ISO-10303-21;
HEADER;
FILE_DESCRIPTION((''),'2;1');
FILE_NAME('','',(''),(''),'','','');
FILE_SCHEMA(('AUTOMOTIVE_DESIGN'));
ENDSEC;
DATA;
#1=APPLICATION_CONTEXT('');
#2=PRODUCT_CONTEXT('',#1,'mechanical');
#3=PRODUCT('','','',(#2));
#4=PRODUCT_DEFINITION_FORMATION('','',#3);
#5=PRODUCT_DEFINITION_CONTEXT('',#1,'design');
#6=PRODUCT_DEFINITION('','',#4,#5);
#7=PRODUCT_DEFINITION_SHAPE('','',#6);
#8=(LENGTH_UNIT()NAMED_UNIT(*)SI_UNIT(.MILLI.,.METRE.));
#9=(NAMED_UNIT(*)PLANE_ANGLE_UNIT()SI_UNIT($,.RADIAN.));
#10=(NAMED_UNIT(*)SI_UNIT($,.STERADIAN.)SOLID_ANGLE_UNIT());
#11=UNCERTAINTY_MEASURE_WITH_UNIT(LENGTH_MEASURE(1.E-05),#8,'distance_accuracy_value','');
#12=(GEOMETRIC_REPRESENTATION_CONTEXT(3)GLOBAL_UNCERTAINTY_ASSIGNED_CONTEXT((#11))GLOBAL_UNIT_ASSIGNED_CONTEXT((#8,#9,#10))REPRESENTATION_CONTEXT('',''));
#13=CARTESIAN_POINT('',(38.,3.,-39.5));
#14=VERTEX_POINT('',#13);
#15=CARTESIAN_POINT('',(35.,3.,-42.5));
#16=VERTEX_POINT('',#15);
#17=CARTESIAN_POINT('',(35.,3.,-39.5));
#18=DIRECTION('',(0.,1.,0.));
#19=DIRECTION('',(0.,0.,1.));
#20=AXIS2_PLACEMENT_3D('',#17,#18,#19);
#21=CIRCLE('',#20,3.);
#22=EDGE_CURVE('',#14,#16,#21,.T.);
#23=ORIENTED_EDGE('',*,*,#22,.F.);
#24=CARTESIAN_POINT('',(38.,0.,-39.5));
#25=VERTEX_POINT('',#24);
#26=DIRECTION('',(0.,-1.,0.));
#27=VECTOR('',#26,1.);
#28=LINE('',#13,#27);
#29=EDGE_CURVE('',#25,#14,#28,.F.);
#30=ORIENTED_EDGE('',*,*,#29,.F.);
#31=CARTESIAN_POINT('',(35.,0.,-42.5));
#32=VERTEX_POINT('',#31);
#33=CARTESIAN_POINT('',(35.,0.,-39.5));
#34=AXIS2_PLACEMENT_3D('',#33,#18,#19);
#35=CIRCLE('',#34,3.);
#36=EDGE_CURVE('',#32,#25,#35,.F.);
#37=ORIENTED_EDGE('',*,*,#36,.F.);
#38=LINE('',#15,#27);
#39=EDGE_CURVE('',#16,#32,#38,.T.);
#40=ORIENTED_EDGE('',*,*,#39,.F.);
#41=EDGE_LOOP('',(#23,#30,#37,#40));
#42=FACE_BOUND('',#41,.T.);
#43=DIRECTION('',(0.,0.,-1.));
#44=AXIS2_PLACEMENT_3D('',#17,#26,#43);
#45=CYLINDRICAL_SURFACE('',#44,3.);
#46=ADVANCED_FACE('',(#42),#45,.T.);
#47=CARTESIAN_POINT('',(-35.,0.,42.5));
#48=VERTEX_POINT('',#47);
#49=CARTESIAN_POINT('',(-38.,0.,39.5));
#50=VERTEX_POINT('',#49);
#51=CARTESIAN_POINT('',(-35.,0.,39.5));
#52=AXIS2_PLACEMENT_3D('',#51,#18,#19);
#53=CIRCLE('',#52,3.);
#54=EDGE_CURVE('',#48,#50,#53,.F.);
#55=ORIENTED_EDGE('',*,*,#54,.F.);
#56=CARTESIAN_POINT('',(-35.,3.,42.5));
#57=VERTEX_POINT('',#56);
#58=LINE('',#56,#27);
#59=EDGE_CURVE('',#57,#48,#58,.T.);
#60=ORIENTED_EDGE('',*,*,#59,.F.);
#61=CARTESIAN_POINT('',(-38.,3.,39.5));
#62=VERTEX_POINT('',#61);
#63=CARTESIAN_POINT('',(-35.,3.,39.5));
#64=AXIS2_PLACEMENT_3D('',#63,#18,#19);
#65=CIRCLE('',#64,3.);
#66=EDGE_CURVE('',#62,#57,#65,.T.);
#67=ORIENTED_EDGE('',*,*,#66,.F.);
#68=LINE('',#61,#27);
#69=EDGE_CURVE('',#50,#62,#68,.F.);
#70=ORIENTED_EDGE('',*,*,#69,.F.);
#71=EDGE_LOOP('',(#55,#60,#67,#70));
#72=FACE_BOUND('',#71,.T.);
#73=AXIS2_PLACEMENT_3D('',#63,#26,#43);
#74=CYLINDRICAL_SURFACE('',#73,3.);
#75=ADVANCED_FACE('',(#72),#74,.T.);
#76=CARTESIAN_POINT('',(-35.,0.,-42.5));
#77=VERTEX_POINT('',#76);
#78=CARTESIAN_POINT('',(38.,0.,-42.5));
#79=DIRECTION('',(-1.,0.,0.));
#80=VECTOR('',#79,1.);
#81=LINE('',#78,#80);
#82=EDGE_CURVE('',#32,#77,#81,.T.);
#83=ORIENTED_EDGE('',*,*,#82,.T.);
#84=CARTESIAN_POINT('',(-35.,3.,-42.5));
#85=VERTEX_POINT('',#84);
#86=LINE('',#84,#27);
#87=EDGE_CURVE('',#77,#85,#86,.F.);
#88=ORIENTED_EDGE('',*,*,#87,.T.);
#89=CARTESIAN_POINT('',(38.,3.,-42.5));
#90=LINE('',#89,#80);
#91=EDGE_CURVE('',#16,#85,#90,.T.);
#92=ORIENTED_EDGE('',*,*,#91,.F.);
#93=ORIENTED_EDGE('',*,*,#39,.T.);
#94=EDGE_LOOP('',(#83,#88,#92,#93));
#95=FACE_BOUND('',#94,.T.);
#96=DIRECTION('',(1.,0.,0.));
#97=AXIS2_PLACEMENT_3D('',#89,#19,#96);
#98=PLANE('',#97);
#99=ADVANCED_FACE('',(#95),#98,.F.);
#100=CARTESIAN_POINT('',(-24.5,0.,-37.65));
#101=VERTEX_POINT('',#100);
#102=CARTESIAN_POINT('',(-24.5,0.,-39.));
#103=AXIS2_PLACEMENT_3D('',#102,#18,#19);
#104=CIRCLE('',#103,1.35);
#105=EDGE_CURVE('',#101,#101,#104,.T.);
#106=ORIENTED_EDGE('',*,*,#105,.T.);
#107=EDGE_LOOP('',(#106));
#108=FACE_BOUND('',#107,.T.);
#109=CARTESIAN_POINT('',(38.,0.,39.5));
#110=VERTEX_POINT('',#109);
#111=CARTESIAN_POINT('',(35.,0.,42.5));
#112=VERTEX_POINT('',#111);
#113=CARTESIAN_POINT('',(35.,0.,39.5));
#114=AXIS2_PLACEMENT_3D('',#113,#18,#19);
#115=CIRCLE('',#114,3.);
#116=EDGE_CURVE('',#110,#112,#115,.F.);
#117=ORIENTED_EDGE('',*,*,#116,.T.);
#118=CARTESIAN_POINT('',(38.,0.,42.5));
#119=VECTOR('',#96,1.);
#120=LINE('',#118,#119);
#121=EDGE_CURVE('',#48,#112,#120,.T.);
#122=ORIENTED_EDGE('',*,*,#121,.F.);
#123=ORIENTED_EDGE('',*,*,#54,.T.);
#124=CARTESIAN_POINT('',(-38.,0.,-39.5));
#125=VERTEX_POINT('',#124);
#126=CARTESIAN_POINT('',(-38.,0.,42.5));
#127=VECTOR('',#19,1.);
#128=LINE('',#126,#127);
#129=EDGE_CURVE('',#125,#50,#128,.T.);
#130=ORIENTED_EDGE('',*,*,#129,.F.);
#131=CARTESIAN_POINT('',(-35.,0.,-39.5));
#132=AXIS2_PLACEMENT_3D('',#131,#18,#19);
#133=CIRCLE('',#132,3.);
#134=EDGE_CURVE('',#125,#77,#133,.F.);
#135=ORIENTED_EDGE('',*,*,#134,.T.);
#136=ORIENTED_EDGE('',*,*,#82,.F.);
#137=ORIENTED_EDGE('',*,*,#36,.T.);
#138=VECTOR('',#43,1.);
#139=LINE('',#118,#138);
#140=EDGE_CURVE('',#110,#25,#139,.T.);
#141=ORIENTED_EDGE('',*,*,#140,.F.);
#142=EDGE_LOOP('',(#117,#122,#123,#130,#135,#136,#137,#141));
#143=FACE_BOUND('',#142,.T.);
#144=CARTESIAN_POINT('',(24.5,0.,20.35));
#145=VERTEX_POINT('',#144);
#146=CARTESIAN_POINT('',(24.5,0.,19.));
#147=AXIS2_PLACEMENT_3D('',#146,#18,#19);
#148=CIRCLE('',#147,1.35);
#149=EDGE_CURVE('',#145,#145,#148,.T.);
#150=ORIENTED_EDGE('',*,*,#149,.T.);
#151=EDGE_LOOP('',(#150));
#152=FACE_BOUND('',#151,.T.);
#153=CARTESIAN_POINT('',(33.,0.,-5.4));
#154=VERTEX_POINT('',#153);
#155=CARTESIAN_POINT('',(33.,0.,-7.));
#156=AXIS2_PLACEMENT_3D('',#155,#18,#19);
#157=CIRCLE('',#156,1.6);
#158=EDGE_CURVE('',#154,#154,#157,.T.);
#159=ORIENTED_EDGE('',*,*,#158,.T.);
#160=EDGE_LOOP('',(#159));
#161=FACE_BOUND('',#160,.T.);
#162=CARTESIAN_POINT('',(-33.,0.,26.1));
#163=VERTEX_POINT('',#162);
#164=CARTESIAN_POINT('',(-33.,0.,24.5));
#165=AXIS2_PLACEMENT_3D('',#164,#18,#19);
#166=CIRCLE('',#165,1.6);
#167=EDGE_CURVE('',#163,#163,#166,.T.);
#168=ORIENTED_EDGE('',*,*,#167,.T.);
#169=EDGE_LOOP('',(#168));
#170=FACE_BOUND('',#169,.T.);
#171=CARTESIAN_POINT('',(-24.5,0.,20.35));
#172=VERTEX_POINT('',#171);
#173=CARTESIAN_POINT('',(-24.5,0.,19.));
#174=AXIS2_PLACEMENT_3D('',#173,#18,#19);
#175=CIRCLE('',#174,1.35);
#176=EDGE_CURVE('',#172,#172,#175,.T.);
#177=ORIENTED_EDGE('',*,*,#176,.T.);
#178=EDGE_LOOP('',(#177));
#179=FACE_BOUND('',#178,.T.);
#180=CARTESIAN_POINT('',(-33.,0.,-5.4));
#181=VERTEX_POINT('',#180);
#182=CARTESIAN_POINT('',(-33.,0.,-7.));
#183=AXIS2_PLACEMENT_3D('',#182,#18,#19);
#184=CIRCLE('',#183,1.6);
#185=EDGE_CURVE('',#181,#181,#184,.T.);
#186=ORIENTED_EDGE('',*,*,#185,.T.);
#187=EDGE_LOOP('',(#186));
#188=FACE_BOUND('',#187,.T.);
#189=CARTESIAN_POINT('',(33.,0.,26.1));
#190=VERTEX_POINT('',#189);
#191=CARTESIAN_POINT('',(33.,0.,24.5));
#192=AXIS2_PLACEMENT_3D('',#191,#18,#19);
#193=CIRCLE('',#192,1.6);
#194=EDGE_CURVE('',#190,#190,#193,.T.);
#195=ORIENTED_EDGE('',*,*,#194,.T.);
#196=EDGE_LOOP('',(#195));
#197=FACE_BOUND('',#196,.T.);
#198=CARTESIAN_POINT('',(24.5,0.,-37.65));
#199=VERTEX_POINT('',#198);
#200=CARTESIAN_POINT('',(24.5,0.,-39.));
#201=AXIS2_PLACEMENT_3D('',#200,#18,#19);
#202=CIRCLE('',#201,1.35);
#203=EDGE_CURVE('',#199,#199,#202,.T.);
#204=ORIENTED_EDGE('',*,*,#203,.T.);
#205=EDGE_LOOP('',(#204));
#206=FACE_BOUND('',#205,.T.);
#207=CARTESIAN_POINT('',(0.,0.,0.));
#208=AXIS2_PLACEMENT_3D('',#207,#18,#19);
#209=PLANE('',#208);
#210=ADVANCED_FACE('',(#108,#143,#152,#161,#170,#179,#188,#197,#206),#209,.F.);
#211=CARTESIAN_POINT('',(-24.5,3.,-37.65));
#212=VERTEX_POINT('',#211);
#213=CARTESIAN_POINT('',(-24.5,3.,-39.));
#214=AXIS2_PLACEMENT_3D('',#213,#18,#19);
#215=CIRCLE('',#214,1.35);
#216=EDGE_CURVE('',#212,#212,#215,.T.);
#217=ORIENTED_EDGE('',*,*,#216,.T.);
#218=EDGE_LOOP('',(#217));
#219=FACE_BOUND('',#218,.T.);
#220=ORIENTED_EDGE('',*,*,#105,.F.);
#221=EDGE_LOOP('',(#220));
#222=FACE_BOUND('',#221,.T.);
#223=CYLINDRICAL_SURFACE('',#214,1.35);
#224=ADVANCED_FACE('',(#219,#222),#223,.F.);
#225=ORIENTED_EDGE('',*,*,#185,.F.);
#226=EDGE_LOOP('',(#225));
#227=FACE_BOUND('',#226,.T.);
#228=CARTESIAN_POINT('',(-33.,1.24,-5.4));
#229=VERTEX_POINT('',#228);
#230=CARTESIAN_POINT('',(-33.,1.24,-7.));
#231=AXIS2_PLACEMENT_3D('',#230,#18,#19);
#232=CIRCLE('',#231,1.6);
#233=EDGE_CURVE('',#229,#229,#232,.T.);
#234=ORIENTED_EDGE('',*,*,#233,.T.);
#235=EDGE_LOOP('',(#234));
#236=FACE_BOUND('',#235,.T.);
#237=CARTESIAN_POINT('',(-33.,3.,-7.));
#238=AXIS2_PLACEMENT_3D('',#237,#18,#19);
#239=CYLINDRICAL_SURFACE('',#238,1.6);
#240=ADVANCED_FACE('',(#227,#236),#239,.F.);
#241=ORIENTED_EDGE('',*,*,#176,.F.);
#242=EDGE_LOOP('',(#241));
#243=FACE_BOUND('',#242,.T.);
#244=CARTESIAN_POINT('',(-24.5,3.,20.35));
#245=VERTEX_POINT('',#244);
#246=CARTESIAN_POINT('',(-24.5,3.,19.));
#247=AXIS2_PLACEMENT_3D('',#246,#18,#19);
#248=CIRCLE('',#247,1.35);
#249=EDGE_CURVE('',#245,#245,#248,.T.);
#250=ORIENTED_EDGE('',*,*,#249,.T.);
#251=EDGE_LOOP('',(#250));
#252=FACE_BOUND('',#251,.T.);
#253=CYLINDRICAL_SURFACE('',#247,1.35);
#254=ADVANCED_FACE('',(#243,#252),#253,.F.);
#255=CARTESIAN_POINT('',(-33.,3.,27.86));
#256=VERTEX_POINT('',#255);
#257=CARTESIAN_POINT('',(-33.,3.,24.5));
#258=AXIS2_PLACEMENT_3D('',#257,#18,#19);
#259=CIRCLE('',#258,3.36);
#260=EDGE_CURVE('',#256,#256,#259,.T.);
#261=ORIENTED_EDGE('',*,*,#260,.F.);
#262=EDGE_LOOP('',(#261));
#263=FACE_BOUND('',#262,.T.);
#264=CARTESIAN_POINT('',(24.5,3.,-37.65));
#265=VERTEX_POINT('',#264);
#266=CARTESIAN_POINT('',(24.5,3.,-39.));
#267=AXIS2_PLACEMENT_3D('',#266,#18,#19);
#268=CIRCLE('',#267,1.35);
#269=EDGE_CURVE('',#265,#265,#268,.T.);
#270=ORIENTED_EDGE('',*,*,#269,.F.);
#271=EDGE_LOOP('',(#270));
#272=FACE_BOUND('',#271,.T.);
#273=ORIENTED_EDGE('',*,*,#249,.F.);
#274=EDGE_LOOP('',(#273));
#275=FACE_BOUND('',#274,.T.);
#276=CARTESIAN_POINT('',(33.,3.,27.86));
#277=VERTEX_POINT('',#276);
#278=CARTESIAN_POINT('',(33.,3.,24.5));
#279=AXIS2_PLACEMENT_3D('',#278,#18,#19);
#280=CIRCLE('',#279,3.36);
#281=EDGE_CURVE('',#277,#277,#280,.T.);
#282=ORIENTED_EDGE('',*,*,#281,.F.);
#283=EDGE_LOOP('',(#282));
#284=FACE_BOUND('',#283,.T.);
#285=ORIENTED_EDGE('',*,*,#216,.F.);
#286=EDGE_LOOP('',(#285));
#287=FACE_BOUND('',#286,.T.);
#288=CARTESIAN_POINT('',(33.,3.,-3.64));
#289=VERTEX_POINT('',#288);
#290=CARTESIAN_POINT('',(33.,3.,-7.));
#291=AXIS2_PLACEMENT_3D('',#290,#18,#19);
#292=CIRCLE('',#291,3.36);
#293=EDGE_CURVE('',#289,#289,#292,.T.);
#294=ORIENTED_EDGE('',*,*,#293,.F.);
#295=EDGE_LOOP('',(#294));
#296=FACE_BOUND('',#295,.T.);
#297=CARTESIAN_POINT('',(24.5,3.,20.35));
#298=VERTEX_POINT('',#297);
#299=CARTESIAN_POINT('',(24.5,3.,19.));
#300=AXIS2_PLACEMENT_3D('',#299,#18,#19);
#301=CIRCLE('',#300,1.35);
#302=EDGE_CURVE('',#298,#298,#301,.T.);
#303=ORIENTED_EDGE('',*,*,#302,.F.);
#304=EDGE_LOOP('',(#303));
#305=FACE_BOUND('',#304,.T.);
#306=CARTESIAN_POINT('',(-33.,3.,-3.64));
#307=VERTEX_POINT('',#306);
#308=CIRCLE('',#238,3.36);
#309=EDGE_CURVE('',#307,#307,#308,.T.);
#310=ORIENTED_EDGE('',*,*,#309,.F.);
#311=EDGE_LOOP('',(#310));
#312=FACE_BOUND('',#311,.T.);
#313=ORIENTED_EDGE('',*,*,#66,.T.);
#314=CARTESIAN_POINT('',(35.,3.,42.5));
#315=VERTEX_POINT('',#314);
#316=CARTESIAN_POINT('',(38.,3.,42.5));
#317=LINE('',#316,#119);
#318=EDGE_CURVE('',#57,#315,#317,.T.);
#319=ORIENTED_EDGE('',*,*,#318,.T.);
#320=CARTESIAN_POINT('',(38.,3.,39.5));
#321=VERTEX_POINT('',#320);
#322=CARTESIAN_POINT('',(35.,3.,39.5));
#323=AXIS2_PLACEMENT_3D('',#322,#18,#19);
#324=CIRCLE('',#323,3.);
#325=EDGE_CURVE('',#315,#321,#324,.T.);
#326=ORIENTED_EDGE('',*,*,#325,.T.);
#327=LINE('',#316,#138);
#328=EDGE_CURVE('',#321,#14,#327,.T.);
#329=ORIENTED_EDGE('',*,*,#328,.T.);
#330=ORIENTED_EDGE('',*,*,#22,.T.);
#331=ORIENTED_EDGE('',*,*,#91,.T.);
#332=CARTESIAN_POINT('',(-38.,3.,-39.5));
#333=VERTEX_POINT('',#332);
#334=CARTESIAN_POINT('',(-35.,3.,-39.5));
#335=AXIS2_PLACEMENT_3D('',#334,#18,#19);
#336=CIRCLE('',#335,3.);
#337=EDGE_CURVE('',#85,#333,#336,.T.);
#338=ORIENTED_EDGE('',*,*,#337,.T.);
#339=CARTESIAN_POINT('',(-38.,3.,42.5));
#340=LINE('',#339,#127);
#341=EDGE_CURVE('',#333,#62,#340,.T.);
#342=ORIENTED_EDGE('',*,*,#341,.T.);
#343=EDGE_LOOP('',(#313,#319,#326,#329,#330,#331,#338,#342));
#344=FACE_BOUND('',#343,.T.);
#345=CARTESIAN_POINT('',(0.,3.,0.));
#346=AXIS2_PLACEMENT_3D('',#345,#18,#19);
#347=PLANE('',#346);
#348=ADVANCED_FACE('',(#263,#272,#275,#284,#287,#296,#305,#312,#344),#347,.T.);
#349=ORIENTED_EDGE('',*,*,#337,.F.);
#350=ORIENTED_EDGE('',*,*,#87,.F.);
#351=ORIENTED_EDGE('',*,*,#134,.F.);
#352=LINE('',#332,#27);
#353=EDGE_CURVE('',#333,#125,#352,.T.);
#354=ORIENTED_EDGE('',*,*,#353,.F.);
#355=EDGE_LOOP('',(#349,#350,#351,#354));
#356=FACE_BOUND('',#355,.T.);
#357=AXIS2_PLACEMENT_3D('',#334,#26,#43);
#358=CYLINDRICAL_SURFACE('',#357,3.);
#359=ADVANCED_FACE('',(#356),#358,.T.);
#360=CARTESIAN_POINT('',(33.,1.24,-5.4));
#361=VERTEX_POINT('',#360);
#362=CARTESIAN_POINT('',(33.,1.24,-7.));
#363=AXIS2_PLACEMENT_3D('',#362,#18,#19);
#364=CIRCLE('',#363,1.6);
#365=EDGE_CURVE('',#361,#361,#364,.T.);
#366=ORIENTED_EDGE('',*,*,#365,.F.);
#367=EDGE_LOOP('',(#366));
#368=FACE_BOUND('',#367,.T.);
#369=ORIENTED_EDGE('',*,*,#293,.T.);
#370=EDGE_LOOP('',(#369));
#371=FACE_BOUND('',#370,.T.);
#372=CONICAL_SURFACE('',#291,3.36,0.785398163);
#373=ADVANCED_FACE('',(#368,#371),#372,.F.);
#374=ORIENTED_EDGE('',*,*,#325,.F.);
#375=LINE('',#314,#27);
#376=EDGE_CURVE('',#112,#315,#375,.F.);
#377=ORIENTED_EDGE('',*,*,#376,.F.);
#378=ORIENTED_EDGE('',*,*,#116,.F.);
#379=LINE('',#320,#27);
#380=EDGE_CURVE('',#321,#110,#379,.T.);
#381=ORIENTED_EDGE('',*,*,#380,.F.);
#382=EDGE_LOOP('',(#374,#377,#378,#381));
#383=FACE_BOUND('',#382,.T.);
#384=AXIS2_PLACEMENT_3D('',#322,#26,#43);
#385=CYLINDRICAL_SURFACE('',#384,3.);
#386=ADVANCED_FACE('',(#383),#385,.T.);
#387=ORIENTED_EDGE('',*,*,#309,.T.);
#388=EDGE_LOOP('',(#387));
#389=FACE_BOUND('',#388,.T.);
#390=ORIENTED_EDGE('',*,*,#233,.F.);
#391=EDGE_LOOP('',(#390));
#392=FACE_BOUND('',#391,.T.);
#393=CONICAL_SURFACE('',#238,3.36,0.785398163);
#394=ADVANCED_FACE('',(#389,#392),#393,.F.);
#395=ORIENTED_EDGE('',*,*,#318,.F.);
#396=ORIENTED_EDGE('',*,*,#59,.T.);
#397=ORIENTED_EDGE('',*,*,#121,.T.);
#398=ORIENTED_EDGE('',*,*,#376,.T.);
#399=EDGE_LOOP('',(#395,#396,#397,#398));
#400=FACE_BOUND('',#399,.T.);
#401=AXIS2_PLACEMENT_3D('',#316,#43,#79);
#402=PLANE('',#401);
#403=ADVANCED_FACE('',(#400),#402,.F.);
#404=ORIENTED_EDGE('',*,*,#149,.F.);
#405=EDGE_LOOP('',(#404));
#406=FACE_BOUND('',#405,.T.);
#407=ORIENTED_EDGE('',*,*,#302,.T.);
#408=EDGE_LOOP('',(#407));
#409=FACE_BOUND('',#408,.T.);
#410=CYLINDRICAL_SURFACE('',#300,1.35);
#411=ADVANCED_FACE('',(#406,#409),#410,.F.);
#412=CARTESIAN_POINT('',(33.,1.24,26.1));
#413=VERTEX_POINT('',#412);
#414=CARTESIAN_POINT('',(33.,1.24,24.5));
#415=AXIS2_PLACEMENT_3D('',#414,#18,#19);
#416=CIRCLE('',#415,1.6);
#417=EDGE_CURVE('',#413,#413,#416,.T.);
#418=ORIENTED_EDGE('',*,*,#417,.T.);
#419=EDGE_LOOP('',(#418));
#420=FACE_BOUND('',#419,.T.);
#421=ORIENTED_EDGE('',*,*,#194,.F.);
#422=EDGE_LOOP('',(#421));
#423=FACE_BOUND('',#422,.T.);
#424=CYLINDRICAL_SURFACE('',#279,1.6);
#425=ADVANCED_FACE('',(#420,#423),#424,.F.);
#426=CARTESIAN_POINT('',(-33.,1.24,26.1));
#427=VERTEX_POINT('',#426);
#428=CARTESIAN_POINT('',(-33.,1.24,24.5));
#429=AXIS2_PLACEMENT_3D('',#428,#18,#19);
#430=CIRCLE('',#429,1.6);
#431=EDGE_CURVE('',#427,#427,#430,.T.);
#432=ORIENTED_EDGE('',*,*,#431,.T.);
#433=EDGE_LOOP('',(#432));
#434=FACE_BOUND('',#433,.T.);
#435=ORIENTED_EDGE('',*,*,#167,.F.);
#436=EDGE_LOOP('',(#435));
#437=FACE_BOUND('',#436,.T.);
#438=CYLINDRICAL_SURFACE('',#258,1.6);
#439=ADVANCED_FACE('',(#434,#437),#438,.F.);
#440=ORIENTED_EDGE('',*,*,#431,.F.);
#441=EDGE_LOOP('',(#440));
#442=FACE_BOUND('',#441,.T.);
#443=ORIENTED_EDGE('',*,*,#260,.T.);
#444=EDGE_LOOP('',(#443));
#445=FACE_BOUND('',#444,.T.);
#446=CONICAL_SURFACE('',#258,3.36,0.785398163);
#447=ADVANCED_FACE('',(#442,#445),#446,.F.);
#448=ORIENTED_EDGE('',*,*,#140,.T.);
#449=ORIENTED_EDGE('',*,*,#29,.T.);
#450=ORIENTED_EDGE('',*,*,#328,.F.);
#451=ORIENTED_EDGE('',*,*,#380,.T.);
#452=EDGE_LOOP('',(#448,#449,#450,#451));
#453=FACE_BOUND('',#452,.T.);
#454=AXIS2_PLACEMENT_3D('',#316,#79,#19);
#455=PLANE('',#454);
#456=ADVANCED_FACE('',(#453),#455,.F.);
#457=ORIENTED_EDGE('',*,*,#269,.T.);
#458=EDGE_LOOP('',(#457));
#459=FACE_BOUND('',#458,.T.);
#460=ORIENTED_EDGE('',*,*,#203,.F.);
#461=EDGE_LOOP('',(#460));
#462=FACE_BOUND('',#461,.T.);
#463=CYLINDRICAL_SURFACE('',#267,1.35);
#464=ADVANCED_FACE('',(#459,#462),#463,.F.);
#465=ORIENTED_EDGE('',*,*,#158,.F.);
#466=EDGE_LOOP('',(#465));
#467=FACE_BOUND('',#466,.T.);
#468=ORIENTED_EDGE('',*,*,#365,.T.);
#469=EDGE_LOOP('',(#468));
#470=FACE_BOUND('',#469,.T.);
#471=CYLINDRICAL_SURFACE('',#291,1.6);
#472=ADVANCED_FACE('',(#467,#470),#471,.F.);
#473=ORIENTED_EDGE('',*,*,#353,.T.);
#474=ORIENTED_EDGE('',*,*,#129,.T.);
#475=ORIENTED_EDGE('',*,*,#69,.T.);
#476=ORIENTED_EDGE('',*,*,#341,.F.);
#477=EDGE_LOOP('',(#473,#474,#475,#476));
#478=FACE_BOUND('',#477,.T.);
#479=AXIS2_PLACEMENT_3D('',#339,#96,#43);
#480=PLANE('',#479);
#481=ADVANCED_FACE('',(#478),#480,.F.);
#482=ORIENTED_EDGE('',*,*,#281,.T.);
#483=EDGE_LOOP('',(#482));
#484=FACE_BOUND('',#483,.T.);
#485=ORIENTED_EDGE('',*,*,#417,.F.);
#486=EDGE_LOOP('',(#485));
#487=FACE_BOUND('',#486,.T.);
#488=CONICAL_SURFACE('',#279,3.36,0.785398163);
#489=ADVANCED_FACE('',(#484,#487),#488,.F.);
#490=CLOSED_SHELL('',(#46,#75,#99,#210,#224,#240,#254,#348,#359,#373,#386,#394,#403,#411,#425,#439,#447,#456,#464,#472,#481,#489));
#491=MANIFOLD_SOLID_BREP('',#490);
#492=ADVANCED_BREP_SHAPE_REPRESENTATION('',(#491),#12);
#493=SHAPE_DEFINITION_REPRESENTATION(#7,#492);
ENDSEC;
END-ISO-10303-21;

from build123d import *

# Parameters (mm, degrees)
SKETCH1_W                    = 76
SKETCH1_H                    = 85
BOSS_EXTRUDE1_DEPTH          = 3
M2_5_CLEARANCE_HOLE1_D       = 2.7
CSK_FOR_M3_SFHCS1_AT_2_COUNT = 2
CSK_FOR_M3_SFHCS1_AT_2_PITCH = 31.5
CSK_FOR_M3_SFHCS1_AT_3_COUNT = 2
CSK_FOR_M3_SFHCS1_AT_3_PITCH = 73.131730459
CSK_FOR_M3_SFHCS1_AT_4_COUNT = 2
CSK_FOR_M3_SFHCS1_AT_4_PITCH = 66
FILLET1_R                    = 3


with BuildPart() as part:
    # Sketch1 → Boss-Extrude1 (new body)
    with BuildSketch(Plane(origin=(0, 0, 0), x_dir=(1, 0, 0), z_dir=(0, 1, 0))):
        Rectangle(SKETCH1_W, SKETCH1_H)
    extrude(amount=BOSS_EXTRUDE1_DEPTH)

    # M2.5 Clearance Hole1 (through all)
    with Locations(Plane(origin=(0, 3, 0), x_dir=(1, 0, 0), z_dir=(0, 1, 0))):
        with Locations((-24.5, 39), (-24.5, -19), (24.5, -19), (24.5, 39)):
            Hole(M2_5_CLEARANCE_HOLE1_D / 2)

    # Sketch5 → CSK for M3 SFHCS1 (revolve, cut)
    with BuildSketch(Plane(origin=(-33, 3, 24.5), x_dir=(0, 0, 1), z_dir=(1, 0, 0))):
        Polygon((0, 0), (0, 3), (1.6, 3), (1.6, 1.76), (3.36, 0), align=None)
    csk_for_m3_sfhcs1 = revolve(axis=Axis((-33, 9.35, 24.5), (0, -1, 0)), mode=Mode.SUBTRACT)

    # CSK for M3 SFHCS1 at 2: CSK for M3 SFHCS1 ×2
    with Locations(*[(0, 0, -i * CSK_FOR_M3_SFHCS1_AT_2_PITCH) for i in range(1, CSK_FOR_M3_SFHCS1_AT_2_COUNT)]):
        add(csk_for_m3_sfhcs1, mode=Mode.SUBTRACT)

    # CSK for M3 SFHCS1 at 3: CSK for M3 SFHCS1 ×2
    with Locations(*[Vector(0.9024810377836799, 0, -0.43072958621493834) * (i * CSK_FOR_M3_SFHCS1_AT_3_PITCH) for i in range(1, CSK_FOR_M3_SFHCS1_AT_3_COUNT)]):
        add(csk_for_m3_sfhcs1, mode=Mode.SUBTRACT)

    # CSK for M3 SFHCS1 at 4: CSK for M3 SFHCS1 ×2
    with Locations(*[(i * CSK_FOR_M3_SFHCS1_AT_4_PITCH, 0, 0) for i in range(1, CSK_FOR_M3_SFHCS1_AT_4_COUNT)]):
        add(csk_for_m3_sfhcs1, mode=Mode.SUBTRACT)

    # Fillet1
    fillet1_edges = [part.edges().sort_by_distance(p)[0] for p in [
        (-38, 1.5, -42.5),
        (38, 1.5, -42.5),
        (38, 1.5, 42.5),
        (-38, 1.5, 42.5),
    ]]
    fillet(fillet1_edges, radius=FILLET1_R)


solid = part.part
